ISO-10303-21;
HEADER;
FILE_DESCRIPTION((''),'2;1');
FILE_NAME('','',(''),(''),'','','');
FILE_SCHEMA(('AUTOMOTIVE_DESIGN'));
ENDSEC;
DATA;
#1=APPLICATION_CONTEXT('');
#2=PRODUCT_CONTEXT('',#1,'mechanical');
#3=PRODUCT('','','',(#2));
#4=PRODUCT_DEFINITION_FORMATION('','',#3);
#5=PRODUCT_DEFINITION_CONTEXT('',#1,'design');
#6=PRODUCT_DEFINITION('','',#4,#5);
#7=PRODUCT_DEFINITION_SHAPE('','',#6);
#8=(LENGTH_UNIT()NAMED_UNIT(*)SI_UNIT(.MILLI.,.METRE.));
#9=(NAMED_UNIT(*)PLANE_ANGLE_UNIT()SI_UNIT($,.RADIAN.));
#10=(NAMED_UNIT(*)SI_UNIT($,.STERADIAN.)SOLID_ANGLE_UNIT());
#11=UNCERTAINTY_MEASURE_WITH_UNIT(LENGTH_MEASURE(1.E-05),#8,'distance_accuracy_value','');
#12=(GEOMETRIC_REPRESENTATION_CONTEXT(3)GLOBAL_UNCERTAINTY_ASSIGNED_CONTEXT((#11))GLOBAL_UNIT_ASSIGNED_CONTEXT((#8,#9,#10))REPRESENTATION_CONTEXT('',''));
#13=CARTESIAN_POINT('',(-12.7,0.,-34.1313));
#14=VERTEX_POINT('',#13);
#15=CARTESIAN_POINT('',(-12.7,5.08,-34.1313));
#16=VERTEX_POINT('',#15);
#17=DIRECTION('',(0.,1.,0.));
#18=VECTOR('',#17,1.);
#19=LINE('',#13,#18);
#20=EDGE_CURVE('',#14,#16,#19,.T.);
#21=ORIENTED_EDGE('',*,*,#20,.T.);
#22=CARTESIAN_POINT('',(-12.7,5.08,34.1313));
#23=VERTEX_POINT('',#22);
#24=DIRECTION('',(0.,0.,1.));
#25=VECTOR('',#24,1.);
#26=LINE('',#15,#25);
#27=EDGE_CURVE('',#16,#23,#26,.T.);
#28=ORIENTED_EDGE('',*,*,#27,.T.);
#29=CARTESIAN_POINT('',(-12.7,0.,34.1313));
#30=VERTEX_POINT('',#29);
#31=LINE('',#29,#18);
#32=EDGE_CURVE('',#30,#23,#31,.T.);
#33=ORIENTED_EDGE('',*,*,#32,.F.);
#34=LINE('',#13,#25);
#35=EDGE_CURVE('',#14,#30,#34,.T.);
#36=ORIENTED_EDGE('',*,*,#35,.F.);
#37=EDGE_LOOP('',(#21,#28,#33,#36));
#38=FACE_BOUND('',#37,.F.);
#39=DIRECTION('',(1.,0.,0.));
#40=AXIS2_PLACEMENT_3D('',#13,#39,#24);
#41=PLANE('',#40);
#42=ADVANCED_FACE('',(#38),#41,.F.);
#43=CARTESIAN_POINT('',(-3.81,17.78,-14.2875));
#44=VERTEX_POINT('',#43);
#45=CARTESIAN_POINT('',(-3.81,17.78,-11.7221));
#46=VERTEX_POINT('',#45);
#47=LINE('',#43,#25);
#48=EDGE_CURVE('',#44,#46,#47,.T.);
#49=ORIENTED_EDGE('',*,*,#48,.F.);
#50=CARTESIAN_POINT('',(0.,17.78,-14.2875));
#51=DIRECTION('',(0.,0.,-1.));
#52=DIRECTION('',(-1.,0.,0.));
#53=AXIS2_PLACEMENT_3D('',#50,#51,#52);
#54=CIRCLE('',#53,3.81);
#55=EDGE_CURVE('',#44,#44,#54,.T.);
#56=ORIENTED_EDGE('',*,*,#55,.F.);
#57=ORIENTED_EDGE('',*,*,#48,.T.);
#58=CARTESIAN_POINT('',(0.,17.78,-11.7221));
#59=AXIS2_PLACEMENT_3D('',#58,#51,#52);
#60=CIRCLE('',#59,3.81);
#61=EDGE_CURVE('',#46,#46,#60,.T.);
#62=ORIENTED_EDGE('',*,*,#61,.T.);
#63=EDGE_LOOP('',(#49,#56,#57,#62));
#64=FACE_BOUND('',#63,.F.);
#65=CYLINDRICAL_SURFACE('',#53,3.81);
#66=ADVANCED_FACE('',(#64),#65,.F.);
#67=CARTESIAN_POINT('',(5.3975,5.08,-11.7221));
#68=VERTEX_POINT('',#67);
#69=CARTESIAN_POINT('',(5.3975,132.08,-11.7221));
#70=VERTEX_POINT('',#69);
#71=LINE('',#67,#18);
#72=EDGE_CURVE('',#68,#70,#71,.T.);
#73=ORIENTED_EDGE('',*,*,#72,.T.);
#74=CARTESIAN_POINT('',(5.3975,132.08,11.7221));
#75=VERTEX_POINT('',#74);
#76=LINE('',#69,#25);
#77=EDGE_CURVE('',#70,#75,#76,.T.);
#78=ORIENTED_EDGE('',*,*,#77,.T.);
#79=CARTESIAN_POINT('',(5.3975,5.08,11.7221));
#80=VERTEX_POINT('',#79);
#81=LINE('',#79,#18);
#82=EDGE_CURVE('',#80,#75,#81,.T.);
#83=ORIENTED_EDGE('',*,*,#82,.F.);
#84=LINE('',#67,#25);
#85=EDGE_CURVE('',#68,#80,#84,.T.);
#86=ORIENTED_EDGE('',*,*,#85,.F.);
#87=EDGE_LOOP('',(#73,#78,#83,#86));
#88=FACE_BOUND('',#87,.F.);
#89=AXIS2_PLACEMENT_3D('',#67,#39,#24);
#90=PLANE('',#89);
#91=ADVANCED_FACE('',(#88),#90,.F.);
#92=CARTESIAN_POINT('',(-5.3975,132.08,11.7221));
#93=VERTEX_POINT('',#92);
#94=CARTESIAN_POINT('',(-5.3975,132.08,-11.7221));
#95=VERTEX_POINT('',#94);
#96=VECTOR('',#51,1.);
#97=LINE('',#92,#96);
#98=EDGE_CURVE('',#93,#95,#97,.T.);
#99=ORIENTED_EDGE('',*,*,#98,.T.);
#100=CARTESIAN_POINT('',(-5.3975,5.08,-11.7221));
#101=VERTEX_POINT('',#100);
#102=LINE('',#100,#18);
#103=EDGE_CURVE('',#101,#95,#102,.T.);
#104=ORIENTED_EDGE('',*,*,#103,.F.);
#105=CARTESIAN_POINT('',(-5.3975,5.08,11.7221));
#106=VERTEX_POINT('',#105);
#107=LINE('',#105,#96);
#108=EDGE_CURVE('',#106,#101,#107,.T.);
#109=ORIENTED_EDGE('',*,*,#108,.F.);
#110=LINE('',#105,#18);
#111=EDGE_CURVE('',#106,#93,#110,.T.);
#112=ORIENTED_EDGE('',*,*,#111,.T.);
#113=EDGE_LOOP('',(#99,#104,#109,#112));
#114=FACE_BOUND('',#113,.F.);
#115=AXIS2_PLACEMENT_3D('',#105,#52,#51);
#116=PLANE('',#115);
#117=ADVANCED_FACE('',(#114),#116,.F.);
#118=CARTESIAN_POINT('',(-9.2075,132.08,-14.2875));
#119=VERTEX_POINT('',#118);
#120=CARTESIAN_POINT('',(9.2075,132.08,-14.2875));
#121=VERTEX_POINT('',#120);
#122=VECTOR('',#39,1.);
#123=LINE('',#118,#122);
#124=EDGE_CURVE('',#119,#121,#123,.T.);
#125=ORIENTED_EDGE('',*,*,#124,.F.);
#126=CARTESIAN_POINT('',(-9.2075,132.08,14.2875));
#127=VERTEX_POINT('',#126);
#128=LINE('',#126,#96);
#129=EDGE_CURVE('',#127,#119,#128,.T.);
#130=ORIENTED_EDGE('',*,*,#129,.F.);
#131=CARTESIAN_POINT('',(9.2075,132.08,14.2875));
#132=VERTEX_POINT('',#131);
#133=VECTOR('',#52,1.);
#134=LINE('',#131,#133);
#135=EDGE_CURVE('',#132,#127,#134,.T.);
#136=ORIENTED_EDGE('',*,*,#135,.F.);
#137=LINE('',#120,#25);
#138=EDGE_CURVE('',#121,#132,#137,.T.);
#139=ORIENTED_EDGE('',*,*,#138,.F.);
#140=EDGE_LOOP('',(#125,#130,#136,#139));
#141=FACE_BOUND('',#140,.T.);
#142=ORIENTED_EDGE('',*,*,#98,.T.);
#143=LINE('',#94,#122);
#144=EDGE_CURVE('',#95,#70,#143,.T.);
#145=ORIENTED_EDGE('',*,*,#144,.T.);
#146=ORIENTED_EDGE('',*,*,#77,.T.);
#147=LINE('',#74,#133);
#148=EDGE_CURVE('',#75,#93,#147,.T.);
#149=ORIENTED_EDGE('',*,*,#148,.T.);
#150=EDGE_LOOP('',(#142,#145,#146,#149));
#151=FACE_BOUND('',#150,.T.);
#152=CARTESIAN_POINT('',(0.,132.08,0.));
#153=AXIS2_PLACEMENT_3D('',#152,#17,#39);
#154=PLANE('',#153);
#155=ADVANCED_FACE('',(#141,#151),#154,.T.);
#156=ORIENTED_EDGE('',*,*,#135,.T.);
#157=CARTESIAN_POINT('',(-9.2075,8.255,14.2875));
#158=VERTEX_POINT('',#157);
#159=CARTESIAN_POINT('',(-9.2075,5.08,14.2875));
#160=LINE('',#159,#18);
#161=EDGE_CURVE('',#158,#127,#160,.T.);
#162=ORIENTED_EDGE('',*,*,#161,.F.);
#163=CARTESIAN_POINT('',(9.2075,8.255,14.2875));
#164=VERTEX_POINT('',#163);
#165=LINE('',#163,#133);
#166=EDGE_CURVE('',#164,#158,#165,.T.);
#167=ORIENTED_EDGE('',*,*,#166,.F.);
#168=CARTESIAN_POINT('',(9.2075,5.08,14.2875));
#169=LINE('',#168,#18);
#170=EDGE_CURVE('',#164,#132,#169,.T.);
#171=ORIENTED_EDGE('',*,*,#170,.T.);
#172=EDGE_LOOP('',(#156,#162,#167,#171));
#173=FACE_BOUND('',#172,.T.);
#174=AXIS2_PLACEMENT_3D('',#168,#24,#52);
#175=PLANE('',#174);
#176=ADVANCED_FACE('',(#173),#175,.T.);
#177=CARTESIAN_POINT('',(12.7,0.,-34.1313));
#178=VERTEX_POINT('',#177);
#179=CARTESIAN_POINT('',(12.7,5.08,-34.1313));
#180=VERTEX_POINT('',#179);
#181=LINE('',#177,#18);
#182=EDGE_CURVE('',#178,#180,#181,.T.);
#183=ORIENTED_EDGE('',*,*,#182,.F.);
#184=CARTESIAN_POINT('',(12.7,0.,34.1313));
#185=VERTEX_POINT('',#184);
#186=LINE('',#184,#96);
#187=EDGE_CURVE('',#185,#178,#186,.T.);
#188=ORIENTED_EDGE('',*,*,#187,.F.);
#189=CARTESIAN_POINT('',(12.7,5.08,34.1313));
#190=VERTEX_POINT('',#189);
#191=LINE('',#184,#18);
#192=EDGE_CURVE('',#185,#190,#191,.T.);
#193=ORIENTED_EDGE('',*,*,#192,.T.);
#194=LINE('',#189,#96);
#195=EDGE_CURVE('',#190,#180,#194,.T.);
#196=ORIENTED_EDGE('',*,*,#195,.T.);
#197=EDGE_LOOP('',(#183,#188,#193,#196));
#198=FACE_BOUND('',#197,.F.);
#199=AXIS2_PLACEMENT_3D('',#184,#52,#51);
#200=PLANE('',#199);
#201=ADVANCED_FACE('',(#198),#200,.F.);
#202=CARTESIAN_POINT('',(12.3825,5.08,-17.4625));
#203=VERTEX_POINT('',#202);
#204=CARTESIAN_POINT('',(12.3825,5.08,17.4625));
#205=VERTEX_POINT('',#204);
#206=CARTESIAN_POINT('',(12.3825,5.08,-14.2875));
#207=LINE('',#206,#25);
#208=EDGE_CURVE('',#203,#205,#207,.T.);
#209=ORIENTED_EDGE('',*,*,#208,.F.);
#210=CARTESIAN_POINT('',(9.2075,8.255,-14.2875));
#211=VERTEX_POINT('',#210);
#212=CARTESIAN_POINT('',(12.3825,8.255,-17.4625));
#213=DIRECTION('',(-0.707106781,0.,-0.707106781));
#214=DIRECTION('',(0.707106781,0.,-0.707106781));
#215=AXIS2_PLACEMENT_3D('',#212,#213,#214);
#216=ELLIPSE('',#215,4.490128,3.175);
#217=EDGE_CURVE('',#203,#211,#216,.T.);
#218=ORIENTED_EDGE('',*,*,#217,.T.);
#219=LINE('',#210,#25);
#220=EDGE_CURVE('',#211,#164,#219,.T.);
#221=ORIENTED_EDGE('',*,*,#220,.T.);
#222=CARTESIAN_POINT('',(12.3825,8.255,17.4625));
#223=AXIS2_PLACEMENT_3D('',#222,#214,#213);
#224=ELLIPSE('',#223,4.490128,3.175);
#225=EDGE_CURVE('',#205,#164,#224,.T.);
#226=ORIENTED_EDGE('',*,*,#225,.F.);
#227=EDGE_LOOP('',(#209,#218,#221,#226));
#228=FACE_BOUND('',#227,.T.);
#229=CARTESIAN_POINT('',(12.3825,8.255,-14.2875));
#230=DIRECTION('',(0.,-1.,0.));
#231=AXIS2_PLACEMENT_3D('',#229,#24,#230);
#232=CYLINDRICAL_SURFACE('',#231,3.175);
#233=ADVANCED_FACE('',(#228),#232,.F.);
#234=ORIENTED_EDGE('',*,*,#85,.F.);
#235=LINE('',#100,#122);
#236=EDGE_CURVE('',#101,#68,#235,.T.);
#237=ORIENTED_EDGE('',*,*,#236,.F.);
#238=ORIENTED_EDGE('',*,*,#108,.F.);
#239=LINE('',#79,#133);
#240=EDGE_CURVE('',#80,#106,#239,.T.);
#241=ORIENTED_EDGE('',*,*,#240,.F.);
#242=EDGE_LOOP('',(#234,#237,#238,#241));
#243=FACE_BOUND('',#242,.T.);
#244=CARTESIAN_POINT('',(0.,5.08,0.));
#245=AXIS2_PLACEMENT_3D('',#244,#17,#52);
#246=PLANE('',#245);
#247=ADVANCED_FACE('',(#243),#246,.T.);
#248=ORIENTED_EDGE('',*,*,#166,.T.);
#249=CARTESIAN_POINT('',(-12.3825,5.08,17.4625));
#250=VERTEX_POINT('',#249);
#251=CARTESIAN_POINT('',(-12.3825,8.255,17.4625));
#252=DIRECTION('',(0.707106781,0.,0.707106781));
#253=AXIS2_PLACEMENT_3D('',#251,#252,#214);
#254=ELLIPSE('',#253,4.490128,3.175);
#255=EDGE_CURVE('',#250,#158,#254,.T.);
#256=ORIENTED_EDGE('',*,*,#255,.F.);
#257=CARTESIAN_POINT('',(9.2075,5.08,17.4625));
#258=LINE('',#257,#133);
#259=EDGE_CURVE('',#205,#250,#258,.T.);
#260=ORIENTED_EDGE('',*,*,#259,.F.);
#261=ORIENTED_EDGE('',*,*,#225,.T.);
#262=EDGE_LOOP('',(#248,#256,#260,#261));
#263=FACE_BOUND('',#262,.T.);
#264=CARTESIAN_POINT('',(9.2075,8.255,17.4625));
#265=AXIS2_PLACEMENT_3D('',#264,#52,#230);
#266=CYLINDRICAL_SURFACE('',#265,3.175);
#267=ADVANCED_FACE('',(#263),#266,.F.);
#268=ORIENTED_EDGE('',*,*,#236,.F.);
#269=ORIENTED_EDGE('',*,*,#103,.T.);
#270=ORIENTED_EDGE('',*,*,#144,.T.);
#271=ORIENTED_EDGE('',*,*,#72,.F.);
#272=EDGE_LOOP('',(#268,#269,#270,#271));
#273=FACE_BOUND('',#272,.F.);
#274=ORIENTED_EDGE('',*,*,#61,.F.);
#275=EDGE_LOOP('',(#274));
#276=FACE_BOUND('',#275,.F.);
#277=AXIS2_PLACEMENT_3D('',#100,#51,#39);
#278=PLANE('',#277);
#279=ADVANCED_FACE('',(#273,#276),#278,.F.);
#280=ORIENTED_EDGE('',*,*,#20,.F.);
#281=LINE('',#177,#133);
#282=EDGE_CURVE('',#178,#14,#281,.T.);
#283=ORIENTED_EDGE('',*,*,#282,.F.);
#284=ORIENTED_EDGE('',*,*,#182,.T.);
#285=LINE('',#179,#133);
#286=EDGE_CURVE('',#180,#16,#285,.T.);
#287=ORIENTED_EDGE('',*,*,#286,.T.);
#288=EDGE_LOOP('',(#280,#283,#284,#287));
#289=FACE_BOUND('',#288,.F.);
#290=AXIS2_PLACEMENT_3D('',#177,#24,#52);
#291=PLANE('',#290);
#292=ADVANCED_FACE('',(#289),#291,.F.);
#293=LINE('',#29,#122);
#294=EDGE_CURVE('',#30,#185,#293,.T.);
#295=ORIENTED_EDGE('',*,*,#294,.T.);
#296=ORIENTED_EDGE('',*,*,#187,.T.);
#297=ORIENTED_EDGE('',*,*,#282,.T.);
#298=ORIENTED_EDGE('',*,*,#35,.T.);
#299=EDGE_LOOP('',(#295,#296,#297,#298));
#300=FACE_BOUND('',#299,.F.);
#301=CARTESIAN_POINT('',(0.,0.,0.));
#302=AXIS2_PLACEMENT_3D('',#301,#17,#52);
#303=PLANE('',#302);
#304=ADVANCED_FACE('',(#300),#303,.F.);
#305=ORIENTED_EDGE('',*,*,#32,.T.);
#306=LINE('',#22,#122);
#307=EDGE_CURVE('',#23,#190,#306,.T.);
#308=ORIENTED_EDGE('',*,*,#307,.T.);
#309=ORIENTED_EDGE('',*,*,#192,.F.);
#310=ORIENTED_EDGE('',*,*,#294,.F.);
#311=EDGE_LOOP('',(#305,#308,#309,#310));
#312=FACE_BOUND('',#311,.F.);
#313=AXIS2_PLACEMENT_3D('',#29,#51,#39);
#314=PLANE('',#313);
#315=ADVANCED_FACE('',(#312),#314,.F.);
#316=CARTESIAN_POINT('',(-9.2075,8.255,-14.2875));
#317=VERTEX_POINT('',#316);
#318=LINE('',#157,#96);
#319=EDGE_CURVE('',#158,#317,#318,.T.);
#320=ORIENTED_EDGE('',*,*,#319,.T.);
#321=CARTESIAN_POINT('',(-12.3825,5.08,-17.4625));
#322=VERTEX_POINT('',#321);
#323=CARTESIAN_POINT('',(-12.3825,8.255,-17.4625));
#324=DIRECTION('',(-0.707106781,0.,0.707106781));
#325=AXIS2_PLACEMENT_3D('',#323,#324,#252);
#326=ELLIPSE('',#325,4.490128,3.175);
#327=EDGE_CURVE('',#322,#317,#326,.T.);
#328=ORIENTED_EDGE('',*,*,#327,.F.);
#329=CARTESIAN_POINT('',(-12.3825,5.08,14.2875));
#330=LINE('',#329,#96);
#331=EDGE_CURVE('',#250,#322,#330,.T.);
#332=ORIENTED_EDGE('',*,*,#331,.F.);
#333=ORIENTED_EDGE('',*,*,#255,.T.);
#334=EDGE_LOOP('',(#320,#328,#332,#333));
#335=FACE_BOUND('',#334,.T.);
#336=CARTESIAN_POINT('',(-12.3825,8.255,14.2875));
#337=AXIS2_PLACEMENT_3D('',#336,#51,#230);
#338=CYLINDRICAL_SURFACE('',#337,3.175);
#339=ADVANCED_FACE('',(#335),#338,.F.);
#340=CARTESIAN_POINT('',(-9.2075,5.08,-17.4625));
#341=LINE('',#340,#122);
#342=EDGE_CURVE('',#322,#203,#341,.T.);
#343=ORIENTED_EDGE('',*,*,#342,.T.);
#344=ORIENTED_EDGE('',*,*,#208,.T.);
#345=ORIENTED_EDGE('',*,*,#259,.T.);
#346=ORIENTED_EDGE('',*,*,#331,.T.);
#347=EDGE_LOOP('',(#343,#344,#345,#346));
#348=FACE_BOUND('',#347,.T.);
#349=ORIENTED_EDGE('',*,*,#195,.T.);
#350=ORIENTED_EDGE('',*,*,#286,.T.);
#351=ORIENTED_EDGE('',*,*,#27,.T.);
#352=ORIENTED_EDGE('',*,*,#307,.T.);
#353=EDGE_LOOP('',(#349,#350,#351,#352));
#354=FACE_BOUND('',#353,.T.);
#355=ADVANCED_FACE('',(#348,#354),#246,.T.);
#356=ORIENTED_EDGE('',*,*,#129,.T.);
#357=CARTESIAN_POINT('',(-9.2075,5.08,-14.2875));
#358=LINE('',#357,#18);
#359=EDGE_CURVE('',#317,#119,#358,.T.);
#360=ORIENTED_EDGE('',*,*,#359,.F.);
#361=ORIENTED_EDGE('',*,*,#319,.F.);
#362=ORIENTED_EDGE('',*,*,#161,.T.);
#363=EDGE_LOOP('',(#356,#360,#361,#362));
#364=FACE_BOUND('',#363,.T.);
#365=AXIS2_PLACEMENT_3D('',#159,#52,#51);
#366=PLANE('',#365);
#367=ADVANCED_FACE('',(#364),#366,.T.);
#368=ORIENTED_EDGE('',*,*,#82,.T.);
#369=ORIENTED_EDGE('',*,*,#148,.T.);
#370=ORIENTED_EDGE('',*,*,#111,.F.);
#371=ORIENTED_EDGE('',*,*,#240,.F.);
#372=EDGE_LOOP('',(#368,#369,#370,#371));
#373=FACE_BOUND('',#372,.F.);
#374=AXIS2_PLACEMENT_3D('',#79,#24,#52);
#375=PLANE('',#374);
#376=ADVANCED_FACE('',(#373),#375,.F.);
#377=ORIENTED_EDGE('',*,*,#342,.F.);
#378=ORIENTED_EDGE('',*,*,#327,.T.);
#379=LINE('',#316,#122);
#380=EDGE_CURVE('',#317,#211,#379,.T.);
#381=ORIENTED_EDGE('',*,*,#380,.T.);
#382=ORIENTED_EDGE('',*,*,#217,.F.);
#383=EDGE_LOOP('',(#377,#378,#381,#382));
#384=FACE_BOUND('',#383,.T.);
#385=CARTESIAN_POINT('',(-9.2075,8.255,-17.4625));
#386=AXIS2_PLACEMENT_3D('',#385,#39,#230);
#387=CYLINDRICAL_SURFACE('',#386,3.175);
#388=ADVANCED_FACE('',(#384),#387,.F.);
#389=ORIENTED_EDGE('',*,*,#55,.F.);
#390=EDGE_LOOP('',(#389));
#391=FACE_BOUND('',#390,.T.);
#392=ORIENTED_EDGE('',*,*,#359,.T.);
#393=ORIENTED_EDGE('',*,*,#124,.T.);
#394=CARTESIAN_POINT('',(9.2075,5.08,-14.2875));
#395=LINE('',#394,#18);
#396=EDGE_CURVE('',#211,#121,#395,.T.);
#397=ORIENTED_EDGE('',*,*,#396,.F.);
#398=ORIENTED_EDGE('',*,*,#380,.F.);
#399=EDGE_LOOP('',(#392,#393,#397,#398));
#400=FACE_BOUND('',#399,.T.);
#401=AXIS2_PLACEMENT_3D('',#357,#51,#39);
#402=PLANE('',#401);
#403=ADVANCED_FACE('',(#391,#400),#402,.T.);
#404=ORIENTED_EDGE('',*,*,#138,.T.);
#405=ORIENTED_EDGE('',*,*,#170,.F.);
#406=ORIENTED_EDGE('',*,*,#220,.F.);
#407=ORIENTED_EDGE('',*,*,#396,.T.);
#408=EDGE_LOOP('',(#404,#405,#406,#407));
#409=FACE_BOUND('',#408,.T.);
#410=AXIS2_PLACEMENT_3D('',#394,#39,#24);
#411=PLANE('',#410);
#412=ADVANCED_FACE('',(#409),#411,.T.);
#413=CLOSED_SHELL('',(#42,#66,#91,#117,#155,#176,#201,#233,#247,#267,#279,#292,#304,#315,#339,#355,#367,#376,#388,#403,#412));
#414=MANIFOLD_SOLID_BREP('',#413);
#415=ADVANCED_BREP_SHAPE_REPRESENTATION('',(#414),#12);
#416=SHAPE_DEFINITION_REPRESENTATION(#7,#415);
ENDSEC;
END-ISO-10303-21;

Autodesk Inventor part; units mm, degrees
ref_plane "YZ Plane" through (0, 0, 0) normal (1, 0, 0) x (0, 1, 0)
ref_plane "XZ Plane" through (0, 0, 0) normal (0, 1, 0) x (-1, 0, 0)
ref_plane "XY Plane" through (0, 0, 0) normal (0, 0, 1) x (1, 0, 0)
sketch "Sketch1" plane through (0, 0, 0) normal (0, 1, 0) x (-1, 0, 0)
  line L0 (12.7, 34.1313) -> (-12.7, 34.1313)
  line L1 (-12.7, 34.1313) -> (-12.7, -34.1313)
  line L2 (-12.7, -34.1313) -> (12.7, -34.1313)
  line L3 (12.7, -34.1313) -> (12.7, 34.1313)
  line L4 (12.7, 34.1313) -> (-12.7, -34.1313) construction
  line L5 (-12.7, 34.1313) -> (12.7, -34.1313) construction
  point P0 (0, 0)
  dimension "d0" = 25.4
  dimension "d1" = 68.2625
extrude "Extrusion1" add sketch "Sketch1" along normal blind 5.08
sketch "Sketch2" plane through (0, 5.08, 0) normal (0, 1, 0) x (1, 0, 0)
  line L0 (-5.3975, 11.7221) -> (5.3975, 11.7221)
  line L1 (5.3975, 11.7221) -> (5.3975, -11.7221)
  line L2 (5.3975, -11.7221) -> (-5.3975, -11.7221)
  line L3 (-5.3975, -11.7221) -> (-5.3975, 11.7221)
  line L4 (-5.3975, 11.7221) -> (5.3975, -11.7221) construction
  line L5 (5.3975, 11.7221) -> (-5.3975, -11.7221) construction
  line L6 (-9.2075, 14.2875) -> (9.2075, 14.2875)
  line L7 (9.2075, 14.2875) -> (9.2075, -14.2875)
  line L8 (9.2075, -14.2875) -> (-9.2075, -14.2875)
  line L9 (-9.2075, -14.2875) -> (-9.2075, 14.2875)
  line L10 (-9.2075, 14.2875) -> (9.2075, -14.2875) construction
  line L11 (9.2075, 14.2875) -> (-9.2075, -14.2875) construction
  point P0 (0, 0)
  dimension "d4" = 10.795
  dimension "d5" = 23.4442
  dimension "d6" = 18.415
  dimension "d7" = 28.575
extrude "Extrusion2" add sketch "Sketch2" along normal blind 127
sketch "Sketch4" plane through (0, 132.08, 0) normal (0, 1, 0) x (1, 0, 0)
  point P0 (0, 0)
sketch "Sketch6" plane through (0, 5.08, 0) normal (0, 1, 0) x (1, 0, 0)
  point P0 (0, 0)
sketch "Sketch7" plane through (9.2075, 5.08, -14.2875) normal (0, 0, -1) x (-1, 0, 0)
  line L0 (-3.4925, 0) -> (21.9075, 0) projected
  circle A0 centre (9.2075, 12.7) radius 3.81
  point P0 (9.2075, -5.08)
  dimension "d13" = 12.7
  dimension "d14" = 7.62
extrude "Extrusion4" cut sketch "Sketch7" against normal blind 5.08
fillet "Fillet1" radius 3.175 4 edges at (0, 5.08, -14.2875) (-9.2075, 5.08, 0) (0, 5.08, 14.2875) (9.2075, 5.08, 0)
properties part number "Bacon1"
